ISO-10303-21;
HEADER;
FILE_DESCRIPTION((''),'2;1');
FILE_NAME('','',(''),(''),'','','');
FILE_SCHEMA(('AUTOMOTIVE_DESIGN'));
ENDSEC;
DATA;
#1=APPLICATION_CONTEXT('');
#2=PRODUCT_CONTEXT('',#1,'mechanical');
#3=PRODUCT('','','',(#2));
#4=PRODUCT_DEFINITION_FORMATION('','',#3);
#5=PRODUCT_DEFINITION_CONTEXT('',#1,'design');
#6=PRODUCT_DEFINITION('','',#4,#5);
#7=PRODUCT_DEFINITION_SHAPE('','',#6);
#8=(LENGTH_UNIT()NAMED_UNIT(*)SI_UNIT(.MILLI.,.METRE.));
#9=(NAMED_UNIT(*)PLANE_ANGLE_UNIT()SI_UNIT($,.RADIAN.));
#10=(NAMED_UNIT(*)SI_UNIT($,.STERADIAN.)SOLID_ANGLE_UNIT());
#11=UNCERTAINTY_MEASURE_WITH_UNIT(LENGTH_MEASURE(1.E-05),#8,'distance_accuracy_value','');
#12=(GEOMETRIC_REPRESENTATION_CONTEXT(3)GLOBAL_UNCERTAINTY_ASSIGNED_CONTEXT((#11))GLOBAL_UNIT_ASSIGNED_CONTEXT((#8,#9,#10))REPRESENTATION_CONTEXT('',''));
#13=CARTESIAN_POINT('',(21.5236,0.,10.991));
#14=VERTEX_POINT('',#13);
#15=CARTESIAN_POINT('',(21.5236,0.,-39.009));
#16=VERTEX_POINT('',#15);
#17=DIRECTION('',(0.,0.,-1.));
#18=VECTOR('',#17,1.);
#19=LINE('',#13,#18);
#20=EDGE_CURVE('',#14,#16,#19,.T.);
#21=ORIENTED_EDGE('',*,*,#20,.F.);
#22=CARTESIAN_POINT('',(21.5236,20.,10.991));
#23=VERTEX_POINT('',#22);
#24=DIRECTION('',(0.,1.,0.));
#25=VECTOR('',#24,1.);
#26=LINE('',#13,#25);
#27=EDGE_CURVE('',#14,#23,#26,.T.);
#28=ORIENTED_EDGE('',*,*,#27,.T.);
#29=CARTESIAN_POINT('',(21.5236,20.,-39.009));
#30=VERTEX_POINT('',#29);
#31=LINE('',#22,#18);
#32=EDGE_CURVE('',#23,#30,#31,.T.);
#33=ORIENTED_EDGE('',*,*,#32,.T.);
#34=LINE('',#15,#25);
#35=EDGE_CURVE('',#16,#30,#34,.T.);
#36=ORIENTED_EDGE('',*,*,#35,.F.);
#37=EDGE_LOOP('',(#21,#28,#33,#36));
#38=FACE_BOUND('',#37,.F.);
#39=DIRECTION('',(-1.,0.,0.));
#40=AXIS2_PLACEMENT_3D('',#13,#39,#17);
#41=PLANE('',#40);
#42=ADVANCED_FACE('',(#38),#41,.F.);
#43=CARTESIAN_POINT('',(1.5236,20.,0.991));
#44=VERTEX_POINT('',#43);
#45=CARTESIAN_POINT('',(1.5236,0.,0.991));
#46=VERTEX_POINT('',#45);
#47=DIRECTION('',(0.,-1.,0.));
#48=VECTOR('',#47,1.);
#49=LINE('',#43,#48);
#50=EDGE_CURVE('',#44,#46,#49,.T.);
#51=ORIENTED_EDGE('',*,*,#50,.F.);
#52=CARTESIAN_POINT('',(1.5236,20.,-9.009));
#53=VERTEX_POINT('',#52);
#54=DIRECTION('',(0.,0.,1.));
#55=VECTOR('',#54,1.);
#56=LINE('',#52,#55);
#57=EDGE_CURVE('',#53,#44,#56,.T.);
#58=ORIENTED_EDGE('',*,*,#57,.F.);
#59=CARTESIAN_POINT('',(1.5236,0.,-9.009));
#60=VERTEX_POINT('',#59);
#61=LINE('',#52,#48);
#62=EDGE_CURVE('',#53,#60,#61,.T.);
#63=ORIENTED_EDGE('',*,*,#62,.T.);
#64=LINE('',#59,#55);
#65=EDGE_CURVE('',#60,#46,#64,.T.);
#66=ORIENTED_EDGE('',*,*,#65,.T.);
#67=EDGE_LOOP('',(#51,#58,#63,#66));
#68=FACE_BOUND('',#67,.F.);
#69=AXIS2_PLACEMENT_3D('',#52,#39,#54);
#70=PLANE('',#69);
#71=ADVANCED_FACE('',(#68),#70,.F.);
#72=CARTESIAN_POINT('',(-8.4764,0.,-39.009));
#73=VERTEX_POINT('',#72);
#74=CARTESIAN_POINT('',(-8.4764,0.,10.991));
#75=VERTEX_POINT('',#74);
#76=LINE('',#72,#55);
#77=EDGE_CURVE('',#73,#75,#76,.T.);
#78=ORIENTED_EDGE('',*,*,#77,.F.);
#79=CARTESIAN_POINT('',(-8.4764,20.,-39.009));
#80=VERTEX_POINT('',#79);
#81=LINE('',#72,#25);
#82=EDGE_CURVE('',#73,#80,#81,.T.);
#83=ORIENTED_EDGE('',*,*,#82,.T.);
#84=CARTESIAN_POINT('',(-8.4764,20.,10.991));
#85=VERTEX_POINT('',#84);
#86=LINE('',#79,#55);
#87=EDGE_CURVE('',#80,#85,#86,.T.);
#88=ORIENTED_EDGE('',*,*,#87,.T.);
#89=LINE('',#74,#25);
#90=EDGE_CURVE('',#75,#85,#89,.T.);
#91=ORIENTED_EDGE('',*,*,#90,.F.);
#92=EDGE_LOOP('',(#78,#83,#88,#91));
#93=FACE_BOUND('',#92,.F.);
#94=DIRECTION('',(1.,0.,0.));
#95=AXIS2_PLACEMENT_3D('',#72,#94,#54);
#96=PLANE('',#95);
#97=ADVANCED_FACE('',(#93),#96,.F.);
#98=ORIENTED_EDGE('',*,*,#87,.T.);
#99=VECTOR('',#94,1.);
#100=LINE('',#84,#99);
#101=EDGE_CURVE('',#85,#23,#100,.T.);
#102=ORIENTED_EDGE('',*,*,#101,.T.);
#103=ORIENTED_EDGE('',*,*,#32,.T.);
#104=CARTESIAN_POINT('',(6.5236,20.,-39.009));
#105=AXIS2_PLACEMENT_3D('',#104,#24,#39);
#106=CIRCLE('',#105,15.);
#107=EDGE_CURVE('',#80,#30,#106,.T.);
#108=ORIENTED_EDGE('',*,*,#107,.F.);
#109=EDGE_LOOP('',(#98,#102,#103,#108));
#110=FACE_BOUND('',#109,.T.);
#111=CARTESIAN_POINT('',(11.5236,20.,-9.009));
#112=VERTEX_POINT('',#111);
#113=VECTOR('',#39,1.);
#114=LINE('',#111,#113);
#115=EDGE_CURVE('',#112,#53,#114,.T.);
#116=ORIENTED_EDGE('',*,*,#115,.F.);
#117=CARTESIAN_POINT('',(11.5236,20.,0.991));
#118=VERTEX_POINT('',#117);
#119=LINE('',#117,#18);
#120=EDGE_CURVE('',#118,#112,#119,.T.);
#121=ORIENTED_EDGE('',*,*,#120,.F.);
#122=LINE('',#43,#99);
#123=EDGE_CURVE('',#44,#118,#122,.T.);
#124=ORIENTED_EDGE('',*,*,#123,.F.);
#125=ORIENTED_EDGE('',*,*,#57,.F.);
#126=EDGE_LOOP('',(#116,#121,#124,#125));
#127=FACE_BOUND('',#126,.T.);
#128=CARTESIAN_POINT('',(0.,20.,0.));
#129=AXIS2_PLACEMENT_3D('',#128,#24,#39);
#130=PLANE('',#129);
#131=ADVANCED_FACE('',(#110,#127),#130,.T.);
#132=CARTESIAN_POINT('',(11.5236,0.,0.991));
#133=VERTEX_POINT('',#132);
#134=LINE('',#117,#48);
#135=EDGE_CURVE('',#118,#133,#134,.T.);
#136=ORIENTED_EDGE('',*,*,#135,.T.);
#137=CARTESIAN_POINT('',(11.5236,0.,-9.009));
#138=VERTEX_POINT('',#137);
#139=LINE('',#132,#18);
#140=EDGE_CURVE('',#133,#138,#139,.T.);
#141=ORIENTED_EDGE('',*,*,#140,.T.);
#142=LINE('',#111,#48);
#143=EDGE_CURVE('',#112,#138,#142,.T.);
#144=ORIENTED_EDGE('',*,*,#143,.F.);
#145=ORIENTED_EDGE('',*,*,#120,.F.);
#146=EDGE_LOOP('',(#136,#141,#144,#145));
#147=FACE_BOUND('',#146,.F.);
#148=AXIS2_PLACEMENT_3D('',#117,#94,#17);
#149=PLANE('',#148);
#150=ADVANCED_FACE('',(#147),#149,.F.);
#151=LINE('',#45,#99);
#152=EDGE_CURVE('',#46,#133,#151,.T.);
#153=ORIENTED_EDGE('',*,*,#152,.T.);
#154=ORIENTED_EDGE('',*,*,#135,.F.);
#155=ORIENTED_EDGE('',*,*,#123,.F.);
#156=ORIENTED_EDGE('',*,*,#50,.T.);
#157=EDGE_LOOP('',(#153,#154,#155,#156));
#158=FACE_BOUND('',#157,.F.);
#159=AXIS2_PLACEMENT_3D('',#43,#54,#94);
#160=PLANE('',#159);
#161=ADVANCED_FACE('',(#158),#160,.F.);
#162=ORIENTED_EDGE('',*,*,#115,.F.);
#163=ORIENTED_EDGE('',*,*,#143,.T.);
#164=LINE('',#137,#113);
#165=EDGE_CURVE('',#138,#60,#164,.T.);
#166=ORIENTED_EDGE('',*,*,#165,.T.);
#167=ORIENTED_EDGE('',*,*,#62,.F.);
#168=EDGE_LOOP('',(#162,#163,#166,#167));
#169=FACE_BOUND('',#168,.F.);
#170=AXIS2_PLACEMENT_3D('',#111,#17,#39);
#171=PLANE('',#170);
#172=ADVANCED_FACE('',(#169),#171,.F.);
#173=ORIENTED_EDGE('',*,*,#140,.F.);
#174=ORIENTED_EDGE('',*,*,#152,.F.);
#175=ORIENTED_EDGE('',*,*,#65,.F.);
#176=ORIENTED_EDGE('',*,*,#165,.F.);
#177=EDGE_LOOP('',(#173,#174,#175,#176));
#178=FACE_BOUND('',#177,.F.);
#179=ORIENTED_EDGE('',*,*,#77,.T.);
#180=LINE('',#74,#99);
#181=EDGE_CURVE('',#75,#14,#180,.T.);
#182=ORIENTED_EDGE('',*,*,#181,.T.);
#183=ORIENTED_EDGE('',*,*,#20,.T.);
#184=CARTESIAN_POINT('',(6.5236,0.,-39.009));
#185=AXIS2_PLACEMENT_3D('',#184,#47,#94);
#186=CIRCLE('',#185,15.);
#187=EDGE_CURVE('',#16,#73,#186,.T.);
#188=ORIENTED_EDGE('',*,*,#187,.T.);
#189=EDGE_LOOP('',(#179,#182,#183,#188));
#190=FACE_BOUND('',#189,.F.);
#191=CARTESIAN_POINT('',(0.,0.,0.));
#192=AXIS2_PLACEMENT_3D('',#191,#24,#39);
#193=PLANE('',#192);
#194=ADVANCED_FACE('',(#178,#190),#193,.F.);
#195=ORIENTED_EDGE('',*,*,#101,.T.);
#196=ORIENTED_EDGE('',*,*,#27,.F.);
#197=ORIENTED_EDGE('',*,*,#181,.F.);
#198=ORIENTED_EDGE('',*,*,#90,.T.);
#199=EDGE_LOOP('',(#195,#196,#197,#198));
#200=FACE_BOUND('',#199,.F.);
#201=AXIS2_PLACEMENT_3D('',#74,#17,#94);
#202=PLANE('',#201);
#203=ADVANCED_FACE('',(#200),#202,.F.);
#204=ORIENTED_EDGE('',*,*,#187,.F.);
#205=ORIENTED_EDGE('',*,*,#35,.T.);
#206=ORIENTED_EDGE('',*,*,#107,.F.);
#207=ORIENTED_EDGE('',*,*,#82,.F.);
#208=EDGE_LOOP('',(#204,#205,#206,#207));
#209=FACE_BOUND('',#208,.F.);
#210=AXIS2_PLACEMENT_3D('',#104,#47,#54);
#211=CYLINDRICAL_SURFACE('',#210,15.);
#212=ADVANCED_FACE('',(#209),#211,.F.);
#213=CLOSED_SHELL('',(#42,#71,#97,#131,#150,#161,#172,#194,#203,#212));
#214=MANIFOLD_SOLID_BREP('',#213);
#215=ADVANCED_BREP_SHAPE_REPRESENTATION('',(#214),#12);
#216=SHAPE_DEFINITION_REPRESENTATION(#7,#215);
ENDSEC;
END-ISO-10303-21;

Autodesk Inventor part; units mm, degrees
ref_plane "YZ Plane" through (0, 0, 0) normal (1, 0, 0) x (0, 1, 0)
ref_plane "XZ Plane" through (0, 0, 0) normal (0, 1, 0) x (-1, 0, 0)
ref_plane "XY Plane" through (0, 0, 0) normal (0, 0, 1) x (1, 0, 0)
sketch "スケッチ1" plane through (0, 0, 0) normal (0, 1, 0) x (-1, 0, 0)
  line L0 (8.4764, 10.991) -> (-21.5236, 10.991)
  line L1 (-21.5236, 10.991) -> (-21.5236, -39.009)
  line L2 (-21.5236, -39.009) -> (8.4764, -39.009)
  line L3 (8.4764, -39.009) -> (8.4764, 10.991)
  point P0 (0, 0)
  dimension "d0" = 30
  dimension "d1" = 50
extrude "押し出し1" add sketch "スケッチ1" along normal blind 20
sketch "スケッチ2" plane through (0, 20, 0) normal (0, 1, 0) x (1, 0, 0)
  line L0 (21.5236, 39.009) -> (-8.4764, 39.009) projected
  circle A0 centre (6.5236, 39.009) radius 15
  point P0 (0, 0)
  dimension "d4" = 30
hole "穴1" at (6.5236, 20, -39.009) direction (0, -1, 0) diameter 30 depth 20
sketch "スケッチ3" plane through (0, 20, 0) normal (0, 1, 0) x (1, 0, 0)
  line L0 (1.5236, -0.991) -> (11.5236, -0.991)
  line L1 (11.5236, -0.991) -> (11.5236, 9.009)
  line L2 (11.5236, 9.009) -> (1.5236, 9.009)
  line L3 (1.5236, 9.009) -> (1.5236, -0.991)
  line L4 (-8.4764, 39.009) -> (-8.4764, -10.991) projected
  line L5 (-8.4764, -10.991) -> (21.5236, -10.991) projected
  point P0 (0, 0)
  dimension "d12" = 10
  dimension "d13" = 10
  dimension "d14" = 10
  dimension "d15" = 10
extrude "押し出し2" cut sketch "スケッチ3" against normal blind 20
equation "\"BendRadius\" = Thickness"
equation "\"BendReliefWidth\" = Thickness"
equation "\"BendReliefDepth\" = 0.5 * Thickness"
equation "\"CornerReliefSize\" = 4 * Thickness"
equation "\"MinimumRemnant\" = 2 * Thickness"
equation "\"TransitionRadius\" = BendRadius"
equation "\"JacobiRadiusSize\" = BendRadius"
equation "\"GapSize\" = Thickness"
equation "\"Thickness\" = 0.5"
